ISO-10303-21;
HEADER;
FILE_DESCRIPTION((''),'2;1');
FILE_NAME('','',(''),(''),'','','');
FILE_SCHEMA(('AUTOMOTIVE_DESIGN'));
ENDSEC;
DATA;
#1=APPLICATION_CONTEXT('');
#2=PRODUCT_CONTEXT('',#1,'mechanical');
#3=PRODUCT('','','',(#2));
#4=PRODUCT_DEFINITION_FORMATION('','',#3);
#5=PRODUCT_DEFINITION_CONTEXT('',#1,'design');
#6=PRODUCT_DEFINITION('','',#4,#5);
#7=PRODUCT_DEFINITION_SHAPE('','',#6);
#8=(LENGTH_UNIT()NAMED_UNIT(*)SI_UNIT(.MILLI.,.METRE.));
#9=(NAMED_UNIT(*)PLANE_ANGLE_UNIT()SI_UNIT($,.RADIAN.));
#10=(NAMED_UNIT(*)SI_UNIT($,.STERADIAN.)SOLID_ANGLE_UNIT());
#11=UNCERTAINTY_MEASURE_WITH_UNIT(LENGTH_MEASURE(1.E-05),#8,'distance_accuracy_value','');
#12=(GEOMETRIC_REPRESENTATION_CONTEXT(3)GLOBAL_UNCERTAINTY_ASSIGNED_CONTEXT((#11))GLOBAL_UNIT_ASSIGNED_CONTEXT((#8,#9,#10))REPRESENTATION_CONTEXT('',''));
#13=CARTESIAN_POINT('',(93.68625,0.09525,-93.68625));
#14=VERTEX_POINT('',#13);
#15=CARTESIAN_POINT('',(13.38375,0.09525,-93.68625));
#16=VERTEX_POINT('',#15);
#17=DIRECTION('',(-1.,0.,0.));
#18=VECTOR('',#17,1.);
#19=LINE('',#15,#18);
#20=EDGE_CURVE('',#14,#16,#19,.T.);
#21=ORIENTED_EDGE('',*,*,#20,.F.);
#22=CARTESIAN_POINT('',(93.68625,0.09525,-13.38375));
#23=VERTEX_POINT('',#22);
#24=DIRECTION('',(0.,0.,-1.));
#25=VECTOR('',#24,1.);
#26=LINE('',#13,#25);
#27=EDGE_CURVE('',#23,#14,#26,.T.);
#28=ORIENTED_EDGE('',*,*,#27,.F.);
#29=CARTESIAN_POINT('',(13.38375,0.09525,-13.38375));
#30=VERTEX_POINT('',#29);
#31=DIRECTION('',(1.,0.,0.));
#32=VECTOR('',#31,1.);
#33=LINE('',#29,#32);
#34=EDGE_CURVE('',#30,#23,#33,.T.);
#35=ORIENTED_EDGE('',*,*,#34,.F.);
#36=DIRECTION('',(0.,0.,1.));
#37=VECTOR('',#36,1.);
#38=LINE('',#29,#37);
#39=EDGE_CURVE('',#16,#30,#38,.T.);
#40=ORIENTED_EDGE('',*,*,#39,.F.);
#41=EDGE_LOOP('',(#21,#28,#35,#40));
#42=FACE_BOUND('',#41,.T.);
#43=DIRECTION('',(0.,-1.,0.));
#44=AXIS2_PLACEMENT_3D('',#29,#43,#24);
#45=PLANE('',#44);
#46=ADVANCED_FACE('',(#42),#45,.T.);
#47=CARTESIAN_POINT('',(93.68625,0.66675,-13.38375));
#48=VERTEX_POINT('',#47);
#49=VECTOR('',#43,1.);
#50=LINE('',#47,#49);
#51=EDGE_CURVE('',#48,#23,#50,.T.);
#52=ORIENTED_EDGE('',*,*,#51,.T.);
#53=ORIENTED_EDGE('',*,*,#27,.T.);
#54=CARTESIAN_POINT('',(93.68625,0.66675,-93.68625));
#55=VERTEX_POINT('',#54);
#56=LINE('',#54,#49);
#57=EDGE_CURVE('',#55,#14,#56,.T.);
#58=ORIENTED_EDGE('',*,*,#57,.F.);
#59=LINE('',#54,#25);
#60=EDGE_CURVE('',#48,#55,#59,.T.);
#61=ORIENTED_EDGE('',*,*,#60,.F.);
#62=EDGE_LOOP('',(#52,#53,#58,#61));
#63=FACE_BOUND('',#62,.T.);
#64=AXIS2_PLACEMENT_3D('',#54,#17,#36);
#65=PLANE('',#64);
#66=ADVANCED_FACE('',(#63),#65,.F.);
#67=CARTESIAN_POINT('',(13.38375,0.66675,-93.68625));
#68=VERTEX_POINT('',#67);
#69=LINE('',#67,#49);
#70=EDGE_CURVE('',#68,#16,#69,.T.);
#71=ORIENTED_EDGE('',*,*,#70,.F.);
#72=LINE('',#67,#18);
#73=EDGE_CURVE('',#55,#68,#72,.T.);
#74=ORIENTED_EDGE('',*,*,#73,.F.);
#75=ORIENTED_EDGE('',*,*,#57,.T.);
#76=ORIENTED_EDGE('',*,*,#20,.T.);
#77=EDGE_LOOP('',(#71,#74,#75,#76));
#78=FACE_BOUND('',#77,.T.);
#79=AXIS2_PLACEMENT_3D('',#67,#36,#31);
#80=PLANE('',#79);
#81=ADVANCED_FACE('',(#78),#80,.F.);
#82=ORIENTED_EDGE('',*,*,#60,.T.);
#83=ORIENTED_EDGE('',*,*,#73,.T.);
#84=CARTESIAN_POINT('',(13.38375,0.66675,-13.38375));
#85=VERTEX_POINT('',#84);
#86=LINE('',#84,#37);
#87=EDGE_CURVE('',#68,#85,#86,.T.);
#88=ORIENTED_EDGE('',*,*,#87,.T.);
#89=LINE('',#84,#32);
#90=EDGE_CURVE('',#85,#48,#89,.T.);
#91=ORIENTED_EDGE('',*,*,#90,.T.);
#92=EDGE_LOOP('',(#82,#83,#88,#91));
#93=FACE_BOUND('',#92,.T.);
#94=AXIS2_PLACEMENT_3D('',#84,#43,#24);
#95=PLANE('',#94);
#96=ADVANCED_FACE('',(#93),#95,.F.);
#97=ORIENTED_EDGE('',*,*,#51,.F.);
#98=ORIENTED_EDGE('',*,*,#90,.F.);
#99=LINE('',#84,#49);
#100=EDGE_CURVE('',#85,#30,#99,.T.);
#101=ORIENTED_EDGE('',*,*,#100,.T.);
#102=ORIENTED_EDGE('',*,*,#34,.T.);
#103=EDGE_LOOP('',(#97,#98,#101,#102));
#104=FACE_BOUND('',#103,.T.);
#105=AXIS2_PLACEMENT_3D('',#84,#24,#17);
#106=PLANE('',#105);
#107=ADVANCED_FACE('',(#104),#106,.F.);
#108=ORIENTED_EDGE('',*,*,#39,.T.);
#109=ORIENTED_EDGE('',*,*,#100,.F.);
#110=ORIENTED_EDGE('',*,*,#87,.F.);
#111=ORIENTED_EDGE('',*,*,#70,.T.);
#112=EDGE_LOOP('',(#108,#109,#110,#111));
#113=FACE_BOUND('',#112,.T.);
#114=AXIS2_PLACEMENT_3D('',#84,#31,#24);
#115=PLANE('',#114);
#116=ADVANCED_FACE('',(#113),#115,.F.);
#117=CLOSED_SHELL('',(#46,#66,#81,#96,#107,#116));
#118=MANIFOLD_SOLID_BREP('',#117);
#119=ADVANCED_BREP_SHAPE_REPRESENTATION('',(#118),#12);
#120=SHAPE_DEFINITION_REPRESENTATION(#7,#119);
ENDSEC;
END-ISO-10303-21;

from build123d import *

# Parameters (mm, degrees)
SKETCH1_W           = 107.07
SKETCH1_H           = 107.07
BOSS_EXTRUDE1_DEPTH = 0.762
SCALE2_SCALE        = 0.75


with BuildPart() as part:
    # Sketch1 → Boss-Extrude1 (new body)
    with BuildSketch(Plane(origin=(0, 0, 0), x_dir=(1, 0, 0), z_dir=(0, 1, 0))):
        with Locations((53.535, 53.535)):
            Rectangle(SKETCH1_W, SKETCH1_H)
    extrude(amount=BOSS_EXTRUDE1_DEPTH)


with BuildPart() as part_1:
    # Scale2: scaled about (53.535, 0.381, -53.535)
    add(part.part.scale(SCALE2_SCALE).moved(Location((13.38375, 0.09525, -13.38375))))


solid = part_1.part
